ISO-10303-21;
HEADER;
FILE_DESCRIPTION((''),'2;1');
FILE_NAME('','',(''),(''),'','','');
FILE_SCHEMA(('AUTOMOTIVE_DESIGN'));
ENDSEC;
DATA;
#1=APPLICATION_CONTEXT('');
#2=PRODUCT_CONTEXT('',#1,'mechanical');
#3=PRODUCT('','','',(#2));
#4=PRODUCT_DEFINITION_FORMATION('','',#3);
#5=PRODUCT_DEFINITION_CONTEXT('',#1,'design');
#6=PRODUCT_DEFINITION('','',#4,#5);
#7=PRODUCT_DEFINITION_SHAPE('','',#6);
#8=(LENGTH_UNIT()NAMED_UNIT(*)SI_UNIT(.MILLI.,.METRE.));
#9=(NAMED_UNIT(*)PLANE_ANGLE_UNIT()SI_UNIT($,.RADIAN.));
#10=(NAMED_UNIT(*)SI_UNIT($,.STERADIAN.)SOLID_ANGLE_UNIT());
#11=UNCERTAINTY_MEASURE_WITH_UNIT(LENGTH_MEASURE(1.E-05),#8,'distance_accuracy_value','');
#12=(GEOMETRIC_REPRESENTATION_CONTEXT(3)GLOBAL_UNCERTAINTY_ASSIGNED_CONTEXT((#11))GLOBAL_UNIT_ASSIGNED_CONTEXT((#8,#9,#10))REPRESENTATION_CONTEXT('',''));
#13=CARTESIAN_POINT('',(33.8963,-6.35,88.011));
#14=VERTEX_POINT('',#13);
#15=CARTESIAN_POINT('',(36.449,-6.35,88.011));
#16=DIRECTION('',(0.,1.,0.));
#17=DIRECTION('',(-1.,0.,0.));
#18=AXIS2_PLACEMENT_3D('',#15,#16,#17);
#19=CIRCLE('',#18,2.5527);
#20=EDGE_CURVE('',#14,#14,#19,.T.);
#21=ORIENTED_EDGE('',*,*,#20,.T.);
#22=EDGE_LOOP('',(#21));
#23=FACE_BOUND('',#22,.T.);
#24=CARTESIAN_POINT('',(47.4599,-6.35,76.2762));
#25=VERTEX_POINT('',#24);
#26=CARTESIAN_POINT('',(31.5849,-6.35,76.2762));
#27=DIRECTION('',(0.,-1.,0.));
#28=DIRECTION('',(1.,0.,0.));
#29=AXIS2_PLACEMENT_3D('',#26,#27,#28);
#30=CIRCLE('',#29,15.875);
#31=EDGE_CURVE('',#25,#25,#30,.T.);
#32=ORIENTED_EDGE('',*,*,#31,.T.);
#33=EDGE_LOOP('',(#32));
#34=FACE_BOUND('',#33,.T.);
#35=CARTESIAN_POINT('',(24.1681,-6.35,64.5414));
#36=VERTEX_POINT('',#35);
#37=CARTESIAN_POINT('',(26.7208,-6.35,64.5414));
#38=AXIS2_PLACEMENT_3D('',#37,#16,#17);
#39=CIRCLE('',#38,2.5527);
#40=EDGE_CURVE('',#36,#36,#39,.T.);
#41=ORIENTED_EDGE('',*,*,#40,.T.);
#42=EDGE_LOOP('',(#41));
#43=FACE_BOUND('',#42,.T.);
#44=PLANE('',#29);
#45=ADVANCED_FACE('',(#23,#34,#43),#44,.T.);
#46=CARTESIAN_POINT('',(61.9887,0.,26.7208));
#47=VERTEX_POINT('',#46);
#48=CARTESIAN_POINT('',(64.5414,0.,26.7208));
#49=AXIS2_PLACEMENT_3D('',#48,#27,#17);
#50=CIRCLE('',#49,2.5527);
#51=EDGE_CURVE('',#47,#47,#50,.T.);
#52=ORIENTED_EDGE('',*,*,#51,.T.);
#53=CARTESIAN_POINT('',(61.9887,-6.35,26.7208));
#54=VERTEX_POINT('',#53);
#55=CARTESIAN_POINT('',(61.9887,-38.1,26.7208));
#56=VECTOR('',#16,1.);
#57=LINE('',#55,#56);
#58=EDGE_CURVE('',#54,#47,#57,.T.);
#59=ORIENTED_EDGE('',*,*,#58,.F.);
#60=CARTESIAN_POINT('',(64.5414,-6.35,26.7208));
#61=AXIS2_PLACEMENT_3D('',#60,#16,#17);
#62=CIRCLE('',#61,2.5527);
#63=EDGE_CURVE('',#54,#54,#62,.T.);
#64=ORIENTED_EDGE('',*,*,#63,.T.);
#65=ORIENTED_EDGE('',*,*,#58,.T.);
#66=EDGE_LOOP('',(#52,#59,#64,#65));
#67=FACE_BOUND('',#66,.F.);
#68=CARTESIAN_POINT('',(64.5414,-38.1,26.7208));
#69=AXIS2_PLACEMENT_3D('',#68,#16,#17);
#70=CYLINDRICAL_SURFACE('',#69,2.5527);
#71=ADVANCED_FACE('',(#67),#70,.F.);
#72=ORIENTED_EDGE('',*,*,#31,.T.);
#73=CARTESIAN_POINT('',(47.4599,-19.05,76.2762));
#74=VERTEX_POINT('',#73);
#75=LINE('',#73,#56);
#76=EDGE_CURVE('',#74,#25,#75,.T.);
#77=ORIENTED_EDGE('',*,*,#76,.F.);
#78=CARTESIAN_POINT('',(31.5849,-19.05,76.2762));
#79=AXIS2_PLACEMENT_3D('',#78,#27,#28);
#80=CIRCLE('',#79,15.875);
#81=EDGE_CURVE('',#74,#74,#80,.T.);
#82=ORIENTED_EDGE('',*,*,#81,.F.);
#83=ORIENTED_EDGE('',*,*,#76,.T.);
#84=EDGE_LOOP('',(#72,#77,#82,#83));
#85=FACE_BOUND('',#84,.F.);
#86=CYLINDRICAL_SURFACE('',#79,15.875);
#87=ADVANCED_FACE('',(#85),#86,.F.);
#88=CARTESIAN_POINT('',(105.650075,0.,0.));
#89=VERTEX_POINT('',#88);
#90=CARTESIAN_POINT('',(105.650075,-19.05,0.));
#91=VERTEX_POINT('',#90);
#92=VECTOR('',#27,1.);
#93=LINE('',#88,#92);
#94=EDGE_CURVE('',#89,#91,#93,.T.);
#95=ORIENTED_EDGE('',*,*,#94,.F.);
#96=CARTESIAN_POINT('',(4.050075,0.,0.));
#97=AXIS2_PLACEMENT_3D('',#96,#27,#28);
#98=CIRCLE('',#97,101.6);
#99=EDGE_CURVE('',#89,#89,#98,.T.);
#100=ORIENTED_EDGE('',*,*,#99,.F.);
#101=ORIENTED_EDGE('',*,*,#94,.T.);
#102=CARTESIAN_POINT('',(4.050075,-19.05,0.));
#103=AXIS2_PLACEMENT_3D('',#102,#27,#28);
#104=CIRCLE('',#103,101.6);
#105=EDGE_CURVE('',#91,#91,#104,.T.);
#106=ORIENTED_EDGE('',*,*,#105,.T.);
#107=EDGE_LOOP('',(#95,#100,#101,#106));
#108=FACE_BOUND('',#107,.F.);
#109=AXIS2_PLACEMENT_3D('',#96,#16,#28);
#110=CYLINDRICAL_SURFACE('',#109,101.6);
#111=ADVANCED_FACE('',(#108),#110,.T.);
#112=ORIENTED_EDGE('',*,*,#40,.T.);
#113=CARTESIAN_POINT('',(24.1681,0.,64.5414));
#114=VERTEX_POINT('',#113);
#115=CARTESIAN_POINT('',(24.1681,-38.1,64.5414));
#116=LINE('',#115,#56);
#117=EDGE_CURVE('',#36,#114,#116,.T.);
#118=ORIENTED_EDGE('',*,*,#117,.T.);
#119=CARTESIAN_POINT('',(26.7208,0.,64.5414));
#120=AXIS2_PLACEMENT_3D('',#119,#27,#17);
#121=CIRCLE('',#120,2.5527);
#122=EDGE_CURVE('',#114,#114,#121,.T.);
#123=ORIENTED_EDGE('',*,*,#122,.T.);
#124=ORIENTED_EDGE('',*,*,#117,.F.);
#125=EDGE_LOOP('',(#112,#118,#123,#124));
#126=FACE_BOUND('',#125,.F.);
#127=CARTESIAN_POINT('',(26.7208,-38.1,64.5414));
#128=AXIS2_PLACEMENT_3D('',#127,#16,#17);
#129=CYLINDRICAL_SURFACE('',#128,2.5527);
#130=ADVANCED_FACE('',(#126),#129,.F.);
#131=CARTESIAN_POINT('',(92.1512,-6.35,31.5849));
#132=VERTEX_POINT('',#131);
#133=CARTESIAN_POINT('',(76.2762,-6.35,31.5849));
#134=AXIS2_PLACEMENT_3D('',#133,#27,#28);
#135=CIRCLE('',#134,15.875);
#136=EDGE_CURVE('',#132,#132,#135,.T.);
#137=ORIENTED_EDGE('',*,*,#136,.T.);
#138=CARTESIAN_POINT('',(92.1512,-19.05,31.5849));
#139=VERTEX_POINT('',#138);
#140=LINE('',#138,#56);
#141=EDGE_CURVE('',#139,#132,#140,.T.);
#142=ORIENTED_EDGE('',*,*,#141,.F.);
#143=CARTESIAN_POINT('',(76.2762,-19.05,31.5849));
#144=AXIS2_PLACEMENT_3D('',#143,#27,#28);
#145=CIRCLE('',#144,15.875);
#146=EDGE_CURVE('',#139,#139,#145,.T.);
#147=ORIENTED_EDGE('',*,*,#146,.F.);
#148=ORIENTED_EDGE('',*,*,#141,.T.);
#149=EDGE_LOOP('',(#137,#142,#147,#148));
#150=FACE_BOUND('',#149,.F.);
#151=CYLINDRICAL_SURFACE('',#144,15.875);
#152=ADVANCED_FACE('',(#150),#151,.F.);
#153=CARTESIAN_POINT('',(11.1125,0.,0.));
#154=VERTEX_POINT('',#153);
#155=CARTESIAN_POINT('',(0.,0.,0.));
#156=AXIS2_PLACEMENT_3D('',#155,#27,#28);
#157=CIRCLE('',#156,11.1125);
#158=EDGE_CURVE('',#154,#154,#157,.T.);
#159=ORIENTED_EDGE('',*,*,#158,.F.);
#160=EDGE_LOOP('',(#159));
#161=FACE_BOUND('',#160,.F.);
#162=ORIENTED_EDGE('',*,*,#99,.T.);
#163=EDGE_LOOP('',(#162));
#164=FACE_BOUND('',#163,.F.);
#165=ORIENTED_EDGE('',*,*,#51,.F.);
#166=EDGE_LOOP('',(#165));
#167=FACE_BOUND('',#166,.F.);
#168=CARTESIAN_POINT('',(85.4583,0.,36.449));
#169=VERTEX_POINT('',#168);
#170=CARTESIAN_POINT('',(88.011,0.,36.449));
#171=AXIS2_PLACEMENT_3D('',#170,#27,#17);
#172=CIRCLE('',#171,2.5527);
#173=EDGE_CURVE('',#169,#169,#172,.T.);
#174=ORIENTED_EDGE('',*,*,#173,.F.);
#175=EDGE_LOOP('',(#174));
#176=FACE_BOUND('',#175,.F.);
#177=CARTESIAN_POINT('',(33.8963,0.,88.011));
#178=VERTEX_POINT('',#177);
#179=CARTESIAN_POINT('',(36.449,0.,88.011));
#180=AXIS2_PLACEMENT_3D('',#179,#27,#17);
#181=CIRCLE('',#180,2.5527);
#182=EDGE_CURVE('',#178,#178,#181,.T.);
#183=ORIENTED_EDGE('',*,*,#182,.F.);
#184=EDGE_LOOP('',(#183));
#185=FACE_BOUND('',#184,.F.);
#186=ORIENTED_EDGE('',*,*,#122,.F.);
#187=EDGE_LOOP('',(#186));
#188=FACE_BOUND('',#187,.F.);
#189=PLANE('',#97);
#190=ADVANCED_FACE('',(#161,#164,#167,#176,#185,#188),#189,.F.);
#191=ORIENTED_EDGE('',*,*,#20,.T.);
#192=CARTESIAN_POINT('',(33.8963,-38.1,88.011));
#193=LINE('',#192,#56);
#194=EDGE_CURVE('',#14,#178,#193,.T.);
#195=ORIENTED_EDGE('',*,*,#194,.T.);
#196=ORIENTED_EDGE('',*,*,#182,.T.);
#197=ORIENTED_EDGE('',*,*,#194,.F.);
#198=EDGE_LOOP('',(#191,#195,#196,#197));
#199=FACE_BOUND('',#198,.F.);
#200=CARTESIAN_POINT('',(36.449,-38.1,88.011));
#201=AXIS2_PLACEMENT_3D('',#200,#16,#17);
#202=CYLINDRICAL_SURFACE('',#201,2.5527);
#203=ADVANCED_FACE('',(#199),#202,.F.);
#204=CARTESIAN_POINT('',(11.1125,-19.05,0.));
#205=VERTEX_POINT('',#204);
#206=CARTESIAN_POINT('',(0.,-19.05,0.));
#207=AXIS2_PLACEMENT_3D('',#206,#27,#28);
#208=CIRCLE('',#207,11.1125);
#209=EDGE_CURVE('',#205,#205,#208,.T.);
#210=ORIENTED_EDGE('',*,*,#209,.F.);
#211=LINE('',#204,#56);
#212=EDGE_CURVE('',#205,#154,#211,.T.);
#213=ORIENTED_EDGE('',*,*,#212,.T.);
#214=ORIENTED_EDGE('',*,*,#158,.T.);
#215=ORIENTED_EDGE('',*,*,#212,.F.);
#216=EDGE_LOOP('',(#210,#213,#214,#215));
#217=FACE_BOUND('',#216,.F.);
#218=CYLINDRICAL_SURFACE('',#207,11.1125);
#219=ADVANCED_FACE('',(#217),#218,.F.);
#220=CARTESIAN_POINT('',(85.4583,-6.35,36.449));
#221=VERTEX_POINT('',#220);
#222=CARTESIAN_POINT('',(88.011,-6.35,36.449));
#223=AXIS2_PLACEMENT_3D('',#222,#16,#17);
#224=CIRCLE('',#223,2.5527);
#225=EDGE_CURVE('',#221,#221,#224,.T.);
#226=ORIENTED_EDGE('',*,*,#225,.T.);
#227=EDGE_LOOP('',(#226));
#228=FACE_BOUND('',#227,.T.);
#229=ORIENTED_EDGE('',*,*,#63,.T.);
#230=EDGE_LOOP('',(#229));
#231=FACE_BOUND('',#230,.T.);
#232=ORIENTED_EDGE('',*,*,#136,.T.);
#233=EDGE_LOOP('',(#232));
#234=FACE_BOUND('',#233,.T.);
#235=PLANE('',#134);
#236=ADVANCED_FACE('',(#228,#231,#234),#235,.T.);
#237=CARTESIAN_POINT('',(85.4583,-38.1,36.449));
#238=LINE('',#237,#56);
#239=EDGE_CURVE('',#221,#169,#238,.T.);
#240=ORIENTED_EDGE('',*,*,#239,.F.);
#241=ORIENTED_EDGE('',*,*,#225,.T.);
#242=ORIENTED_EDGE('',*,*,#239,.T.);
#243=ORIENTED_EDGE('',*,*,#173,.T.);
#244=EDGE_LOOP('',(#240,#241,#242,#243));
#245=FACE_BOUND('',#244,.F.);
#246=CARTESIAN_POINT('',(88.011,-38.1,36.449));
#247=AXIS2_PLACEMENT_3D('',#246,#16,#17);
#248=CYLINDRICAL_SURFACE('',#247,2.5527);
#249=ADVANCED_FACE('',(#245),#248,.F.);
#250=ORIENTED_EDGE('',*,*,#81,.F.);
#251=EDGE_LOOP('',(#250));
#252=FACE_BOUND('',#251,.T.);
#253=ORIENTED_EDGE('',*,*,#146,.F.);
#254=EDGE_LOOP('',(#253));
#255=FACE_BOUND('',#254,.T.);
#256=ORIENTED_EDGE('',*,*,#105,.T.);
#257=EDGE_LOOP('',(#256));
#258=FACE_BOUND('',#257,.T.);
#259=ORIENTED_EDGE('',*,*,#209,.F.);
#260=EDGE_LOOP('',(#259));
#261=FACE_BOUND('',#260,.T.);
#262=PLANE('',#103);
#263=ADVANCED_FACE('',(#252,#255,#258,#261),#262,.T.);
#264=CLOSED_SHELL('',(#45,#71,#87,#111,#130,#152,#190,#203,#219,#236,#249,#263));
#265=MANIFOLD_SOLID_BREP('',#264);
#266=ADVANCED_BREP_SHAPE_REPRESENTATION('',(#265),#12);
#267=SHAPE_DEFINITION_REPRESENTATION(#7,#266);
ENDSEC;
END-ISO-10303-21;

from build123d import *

# Parameters (mm, degrees)
F0_R     = 101.6
F1_DEPTH = 19.05
F2_R     = 15.875
F3_DEPTH = 12.7
F4_R     = 11.1125
F5_DEPTH = 19.05
F6_D     = 5.1054
F6_DEPTH = 19.05
F6_TIP   = 1.5338169022


with BuildPart() as f1:
    # F0 (on Front) → F1 (new body)
    with BuildSketch(Plane.XZ):
        with Locations((4.050075005, 0)):
            Circle(F0_R)
    extrude(amount=F1_DEPTH)

    # F2 (on face) → F3 (cut)
    with BuildSketch(Plane.XZ.offset(19.05)):
        with Locations((31.5849, 76.2762)):
            Circle(F2_R)
        with Locations((76.2762, 31.5849)):
            Circle(F2_R)
    extrude(amount=-F3_DEPTH, mode=Mode.SUBTRACT)

    # F4 (on face) → F5 (cut)
    with BuildSketch(Plane.XZ.offset(19.05)):
        Circle(F4_R)
    extrude(amount=-F5_DEPTH, mode=Mode.SUBTRACT)

    # F6
    with Locations(Plane.XZ.offset(19.05)):
        with Locations((36.449, 88.011), (26.7208, 64.5414), (88.011, 36.449), (64.5414, 26.7208)):
            Hole(F6_D / 2, depth=F6_DEPTH)
            with Locations((0, 0, -(F6_DEPTH + F6_TIP / 2))):  # 118° drill point
                Cone(0, F6_D / 2, F6_TIP, mode=Mode.SUBTRACT)


solid = f1.part
